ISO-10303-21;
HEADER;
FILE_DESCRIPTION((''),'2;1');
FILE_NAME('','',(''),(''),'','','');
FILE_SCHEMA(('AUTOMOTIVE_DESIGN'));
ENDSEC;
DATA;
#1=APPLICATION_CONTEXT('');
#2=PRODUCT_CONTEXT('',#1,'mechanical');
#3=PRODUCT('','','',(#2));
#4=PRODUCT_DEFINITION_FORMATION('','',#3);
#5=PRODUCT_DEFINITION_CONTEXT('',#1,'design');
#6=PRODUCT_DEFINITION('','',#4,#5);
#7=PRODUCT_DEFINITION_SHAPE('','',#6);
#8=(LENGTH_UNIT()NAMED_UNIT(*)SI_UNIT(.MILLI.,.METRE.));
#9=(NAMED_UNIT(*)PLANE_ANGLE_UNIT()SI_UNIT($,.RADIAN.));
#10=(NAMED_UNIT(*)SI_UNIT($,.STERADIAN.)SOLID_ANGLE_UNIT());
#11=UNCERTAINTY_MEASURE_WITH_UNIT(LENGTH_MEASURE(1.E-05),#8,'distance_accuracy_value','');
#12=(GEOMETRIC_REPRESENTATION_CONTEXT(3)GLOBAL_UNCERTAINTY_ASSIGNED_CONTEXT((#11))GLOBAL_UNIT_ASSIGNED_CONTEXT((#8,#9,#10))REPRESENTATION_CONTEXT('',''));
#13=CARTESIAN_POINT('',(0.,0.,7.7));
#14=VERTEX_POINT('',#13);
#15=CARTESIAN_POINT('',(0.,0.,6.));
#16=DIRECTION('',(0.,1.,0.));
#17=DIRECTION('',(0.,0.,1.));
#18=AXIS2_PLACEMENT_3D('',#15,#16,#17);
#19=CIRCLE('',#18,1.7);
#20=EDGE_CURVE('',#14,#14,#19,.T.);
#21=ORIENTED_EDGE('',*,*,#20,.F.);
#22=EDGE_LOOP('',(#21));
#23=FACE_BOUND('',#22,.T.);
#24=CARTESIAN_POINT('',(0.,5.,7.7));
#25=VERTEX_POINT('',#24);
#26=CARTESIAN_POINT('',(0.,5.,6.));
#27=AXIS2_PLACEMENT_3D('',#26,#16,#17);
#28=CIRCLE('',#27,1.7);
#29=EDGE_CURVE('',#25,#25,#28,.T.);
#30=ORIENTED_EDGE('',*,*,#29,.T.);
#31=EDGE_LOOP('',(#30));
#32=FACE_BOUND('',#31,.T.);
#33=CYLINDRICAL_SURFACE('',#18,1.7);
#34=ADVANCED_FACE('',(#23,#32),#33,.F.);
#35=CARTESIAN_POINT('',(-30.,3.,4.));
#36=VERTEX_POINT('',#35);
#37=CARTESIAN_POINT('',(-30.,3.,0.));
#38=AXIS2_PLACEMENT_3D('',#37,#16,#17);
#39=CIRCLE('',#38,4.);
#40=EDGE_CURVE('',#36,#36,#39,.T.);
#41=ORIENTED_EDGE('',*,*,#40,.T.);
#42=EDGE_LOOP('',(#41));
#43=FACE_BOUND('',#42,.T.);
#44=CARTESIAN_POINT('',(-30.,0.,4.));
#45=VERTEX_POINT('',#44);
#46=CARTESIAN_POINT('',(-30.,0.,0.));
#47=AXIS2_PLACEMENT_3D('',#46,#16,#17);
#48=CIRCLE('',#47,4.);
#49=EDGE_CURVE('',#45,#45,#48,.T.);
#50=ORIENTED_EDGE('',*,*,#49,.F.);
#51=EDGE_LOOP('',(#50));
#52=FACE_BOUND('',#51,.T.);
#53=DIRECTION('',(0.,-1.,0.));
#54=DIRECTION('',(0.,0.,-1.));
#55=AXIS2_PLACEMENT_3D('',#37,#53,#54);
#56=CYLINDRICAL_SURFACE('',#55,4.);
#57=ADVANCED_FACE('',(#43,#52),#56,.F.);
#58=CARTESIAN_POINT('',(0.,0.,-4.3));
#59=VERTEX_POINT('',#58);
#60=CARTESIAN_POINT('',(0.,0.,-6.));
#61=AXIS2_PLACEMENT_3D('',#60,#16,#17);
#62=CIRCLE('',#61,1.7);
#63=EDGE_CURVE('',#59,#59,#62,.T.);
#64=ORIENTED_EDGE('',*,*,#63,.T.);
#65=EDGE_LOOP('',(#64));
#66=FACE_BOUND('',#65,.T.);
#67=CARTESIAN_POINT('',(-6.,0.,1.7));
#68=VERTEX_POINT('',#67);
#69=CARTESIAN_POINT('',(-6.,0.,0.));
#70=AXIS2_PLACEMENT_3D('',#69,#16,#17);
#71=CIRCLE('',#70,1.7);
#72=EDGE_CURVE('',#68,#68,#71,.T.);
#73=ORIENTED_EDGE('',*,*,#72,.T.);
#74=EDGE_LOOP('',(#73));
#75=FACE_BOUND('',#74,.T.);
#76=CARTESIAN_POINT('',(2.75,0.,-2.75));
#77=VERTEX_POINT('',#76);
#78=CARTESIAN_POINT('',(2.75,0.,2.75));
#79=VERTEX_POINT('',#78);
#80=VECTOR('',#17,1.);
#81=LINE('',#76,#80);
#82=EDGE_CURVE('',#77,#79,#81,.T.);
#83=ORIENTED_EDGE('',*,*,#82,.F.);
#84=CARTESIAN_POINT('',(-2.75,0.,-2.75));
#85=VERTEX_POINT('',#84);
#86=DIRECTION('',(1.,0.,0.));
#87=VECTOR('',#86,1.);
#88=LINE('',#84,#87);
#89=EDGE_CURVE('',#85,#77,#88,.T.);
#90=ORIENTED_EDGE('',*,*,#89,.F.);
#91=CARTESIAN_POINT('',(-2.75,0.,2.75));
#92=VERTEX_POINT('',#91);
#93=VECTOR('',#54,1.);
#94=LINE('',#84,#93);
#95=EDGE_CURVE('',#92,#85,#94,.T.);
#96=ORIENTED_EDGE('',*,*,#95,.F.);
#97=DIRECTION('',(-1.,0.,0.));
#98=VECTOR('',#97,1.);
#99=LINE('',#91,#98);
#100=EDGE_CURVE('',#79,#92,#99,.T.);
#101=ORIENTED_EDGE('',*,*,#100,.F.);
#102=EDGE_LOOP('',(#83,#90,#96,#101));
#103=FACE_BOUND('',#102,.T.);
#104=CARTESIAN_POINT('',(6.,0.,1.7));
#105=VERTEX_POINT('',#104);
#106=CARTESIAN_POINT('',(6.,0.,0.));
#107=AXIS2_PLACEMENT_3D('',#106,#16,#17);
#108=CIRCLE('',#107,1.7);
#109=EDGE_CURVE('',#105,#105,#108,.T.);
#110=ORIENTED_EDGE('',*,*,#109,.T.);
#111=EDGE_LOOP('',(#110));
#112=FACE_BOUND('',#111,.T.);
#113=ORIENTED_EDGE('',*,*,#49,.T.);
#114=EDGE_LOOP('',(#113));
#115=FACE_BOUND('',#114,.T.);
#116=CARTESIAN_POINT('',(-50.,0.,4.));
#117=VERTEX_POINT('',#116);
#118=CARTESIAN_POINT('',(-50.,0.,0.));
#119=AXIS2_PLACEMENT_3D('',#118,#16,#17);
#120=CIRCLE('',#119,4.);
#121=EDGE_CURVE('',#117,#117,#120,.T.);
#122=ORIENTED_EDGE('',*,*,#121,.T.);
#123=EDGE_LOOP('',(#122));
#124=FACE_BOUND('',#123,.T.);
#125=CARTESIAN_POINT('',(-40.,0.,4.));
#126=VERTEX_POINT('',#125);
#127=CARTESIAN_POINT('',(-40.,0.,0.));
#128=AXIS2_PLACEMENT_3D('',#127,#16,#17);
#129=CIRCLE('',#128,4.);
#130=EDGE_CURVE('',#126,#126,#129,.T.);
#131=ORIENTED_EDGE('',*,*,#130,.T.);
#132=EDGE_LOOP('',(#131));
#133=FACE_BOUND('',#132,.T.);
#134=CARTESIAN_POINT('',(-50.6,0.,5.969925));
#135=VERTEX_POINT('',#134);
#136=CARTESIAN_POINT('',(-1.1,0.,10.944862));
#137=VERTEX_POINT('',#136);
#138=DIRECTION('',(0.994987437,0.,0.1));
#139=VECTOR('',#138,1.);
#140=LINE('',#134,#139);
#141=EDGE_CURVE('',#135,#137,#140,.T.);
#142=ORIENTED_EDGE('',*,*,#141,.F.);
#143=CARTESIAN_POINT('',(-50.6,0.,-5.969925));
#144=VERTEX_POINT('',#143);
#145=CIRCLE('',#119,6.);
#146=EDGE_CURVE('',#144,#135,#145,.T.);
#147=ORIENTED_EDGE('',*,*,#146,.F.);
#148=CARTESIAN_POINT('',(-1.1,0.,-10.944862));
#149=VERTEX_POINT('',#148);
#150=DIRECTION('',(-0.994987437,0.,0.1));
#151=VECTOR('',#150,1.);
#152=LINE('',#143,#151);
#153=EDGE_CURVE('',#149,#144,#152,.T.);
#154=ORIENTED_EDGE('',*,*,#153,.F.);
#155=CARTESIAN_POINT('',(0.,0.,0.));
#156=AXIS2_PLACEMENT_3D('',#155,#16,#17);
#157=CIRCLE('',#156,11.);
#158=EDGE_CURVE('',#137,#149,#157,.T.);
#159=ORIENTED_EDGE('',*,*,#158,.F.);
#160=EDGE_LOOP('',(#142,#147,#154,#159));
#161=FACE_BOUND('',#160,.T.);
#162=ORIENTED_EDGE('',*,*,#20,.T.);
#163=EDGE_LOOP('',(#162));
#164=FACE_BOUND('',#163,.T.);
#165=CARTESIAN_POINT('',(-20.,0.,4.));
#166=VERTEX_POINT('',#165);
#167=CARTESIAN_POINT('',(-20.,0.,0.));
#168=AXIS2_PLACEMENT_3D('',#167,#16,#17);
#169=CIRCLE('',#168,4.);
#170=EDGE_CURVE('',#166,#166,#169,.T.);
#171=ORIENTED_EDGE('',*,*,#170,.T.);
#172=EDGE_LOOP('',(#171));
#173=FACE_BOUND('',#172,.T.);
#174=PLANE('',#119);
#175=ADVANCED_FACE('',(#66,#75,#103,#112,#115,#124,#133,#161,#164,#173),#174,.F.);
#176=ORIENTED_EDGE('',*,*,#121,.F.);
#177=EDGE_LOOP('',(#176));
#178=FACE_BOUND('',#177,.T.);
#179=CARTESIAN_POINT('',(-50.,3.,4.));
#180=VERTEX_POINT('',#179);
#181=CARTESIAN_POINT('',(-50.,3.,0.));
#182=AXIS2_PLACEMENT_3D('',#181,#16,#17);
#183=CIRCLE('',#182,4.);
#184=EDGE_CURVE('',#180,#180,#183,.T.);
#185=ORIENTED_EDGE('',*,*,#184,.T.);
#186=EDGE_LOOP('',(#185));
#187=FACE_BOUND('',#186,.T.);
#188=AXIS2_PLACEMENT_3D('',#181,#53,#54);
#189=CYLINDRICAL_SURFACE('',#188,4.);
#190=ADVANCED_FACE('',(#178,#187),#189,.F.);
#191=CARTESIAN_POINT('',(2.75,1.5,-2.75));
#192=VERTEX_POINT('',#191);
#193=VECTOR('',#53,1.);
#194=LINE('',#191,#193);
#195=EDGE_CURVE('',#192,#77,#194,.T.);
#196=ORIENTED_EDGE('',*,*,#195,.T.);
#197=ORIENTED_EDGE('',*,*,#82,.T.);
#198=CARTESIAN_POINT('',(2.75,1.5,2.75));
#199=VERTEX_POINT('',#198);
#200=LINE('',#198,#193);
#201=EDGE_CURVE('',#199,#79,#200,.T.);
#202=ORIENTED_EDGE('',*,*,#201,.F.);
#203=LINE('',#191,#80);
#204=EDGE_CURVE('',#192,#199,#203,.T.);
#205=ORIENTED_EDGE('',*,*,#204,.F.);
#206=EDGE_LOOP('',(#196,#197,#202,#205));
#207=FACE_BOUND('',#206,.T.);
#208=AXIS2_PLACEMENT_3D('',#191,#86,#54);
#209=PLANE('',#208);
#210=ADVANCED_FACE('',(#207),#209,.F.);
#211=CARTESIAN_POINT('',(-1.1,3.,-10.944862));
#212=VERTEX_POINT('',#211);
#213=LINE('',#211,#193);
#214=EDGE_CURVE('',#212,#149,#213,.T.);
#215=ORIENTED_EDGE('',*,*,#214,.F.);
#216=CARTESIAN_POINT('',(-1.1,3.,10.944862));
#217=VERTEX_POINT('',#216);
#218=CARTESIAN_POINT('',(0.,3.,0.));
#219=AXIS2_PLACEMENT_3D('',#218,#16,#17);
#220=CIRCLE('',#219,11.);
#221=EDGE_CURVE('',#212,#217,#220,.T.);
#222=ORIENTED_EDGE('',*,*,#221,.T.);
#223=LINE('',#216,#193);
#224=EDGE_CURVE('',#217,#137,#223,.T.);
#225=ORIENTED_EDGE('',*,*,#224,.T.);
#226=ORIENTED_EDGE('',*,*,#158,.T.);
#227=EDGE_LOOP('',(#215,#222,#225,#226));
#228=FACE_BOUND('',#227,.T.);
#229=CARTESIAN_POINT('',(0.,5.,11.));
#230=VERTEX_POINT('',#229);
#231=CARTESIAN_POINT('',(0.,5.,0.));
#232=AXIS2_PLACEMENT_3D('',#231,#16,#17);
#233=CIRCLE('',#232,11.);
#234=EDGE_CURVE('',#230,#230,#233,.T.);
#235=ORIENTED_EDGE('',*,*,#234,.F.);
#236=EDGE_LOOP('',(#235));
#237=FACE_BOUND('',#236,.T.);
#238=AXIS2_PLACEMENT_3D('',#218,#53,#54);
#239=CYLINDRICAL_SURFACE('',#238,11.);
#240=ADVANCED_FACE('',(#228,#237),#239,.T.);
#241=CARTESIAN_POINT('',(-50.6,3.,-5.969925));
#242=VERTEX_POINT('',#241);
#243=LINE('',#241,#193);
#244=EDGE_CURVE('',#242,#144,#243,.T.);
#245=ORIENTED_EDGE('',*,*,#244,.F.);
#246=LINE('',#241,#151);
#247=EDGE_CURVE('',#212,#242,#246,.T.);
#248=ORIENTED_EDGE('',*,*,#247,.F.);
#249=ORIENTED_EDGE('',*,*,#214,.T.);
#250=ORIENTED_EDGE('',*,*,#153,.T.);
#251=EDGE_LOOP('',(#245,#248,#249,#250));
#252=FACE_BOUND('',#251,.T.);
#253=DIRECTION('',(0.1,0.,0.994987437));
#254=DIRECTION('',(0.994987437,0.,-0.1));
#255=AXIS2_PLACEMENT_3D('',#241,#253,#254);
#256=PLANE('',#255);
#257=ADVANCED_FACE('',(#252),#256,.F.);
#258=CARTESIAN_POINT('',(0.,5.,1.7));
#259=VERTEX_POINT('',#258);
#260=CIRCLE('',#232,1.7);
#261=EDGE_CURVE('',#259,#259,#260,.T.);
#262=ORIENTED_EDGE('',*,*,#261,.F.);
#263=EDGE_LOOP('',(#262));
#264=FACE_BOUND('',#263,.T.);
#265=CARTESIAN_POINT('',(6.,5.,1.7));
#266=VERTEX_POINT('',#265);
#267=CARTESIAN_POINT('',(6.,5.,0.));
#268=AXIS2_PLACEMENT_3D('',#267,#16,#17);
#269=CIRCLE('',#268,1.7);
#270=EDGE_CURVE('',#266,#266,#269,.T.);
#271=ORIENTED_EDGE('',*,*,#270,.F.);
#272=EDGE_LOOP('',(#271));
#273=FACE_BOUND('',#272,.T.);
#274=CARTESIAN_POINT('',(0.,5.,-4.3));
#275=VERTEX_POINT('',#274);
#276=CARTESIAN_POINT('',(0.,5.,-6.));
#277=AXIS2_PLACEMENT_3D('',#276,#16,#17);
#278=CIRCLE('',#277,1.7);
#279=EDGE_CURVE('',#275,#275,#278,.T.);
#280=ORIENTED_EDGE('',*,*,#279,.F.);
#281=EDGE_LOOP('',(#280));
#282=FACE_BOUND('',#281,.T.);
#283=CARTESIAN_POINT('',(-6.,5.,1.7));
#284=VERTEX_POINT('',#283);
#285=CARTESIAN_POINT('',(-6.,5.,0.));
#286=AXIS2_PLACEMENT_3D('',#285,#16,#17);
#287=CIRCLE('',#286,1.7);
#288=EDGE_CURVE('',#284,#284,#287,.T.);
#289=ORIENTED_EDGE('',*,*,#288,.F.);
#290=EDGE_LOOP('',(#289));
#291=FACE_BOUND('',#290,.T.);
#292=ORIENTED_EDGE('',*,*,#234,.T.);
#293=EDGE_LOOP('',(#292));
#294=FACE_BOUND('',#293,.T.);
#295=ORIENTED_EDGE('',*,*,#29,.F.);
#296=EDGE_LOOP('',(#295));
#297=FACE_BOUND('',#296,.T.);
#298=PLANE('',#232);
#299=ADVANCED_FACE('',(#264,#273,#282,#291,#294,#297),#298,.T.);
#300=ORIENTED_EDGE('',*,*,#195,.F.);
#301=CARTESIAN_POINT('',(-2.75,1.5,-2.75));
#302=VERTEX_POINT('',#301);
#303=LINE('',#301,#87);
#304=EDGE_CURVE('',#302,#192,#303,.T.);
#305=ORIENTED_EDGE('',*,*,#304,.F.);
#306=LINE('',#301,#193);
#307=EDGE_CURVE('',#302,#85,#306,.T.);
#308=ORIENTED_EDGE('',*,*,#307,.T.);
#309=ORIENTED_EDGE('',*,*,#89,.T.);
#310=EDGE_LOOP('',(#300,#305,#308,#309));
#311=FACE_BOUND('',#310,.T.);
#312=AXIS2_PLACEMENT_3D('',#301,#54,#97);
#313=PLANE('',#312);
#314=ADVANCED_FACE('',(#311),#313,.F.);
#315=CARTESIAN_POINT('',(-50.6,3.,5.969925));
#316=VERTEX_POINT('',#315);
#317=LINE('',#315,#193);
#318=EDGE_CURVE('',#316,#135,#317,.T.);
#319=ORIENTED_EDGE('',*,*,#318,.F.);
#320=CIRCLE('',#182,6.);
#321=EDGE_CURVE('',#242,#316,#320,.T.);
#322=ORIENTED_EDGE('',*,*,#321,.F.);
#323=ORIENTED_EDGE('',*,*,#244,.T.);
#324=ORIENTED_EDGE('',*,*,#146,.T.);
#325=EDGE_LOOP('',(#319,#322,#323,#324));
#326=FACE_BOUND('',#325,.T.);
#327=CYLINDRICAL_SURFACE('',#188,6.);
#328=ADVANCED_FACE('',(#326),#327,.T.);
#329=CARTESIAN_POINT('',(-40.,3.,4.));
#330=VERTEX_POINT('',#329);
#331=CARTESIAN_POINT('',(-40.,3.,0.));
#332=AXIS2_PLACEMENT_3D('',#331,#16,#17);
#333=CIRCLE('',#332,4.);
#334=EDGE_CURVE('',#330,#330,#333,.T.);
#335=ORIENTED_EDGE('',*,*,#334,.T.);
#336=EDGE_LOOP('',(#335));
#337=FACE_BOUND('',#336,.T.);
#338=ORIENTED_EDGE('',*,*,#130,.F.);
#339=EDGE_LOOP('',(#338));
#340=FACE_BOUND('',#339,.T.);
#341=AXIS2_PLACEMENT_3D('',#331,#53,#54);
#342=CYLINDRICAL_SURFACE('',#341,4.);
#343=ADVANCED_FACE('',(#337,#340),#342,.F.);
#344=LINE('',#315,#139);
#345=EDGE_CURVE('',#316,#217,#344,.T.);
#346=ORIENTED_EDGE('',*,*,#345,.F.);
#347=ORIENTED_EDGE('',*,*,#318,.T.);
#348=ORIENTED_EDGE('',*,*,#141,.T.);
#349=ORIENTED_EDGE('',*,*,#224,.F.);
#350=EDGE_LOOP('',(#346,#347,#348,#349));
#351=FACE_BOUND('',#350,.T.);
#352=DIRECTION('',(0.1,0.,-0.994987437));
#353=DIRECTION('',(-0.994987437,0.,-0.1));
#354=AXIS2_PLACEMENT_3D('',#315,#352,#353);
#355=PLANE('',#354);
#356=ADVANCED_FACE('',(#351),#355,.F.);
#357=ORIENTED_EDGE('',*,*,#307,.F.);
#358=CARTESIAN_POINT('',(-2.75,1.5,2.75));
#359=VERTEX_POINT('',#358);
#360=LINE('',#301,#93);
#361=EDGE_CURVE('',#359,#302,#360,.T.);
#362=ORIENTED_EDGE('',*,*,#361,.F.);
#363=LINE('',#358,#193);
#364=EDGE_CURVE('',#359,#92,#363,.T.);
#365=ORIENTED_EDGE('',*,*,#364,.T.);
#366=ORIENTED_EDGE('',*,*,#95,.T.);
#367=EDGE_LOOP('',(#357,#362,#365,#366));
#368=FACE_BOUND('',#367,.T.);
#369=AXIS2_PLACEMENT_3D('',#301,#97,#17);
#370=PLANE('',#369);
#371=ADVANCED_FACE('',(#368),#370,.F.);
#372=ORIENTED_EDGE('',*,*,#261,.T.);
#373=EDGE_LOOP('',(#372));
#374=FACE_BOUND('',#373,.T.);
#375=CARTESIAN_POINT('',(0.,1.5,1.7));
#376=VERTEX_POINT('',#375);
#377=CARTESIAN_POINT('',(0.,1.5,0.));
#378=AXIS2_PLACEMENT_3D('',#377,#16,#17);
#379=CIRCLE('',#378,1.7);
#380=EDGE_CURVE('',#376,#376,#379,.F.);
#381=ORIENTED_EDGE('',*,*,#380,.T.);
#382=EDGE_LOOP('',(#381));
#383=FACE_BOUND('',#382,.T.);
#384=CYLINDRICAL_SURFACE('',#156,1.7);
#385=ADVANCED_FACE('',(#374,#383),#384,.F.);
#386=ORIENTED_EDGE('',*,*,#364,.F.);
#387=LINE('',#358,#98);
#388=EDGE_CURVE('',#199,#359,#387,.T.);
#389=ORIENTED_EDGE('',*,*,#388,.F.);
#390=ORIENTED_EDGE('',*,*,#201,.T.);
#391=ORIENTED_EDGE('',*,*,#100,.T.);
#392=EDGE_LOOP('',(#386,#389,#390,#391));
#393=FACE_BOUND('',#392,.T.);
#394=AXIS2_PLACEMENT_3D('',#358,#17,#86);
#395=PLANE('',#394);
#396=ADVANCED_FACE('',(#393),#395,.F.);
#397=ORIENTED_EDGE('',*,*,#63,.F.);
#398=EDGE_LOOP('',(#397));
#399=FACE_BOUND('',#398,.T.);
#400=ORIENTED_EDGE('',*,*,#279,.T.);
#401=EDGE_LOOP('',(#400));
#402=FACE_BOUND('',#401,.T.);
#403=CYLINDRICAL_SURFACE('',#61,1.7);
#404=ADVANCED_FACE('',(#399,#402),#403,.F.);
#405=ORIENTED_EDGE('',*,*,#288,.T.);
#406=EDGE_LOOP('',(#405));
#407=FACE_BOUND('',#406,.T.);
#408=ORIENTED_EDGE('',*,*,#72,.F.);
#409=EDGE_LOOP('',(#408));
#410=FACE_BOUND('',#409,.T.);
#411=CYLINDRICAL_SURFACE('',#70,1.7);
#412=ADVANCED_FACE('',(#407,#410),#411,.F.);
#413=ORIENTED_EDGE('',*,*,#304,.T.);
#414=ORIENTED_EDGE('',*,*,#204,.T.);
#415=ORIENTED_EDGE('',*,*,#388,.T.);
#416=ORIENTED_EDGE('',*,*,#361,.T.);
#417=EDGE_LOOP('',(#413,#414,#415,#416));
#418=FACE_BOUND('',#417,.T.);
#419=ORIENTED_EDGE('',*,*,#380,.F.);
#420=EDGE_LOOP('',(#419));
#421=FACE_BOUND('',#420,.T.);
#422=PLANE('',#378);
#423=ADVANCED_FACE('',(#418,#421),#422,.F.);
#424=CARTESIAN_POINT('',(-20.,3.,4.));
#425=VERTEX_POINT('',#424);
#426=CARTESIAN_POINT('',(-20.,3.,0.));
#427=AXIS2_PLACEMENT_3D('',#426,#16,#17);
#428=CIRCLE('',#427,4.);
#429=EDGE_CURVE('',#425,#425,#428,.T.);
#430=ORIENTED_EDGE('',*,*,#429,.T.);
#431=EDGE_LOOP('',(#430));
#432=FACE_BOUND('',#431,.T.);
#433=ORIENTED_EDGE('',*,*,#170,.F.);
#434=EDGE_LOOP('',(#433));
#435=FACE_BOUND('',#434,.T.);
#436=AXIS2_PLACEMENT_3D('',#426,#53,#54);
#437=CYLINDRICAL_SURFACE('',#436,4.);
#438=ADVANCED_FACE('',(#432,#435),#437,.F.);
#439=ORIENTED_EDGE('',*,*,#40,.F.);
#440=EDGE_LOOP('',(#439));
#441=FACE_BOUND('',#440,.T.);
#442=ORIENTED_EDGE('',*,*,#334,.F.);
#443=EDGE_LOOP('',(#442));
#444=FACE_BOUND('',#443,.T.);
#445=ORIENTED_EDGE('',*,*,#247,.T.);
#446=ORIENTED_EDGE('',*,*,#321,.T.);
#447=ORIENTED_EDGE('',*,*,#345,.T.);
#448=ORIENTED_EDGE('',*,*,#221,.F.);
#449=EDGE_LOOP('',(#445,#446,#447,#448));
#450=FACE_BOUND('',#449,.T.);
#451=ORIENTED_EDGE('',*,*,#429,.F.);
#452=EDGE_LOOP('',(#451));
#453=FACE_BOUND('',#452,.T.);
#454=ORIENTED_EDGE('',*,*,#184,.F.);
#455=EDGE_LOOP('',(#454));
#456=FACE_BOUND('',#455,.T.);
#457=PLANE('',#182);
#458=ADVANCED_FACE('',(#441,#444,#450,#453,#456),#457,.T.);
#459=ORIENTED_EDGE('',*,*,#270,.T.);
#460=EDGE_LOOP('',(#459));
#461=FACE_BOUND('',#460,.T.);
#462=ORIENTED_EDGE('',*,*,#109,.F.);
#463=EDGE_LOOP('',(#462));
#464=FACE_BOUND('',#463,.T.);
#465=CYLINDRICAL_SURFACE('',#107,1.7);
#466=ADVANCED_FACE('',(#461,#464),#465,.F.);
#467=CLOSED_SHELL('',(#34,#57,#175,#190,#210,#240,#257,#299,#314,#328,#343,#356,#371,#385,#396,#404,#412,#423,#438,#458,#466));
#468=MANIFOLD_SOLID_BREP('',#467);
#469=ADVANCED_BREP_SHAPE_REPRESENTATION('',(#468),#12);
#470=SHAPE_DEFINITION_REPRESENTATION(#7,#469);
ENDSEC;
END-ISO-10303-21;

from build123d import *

# Parameters (mm, degrees)
ESQUISSE1_R             = 4
BOSS_EXTRU_1_DEPTH      = 3
ESQUISSE2_R             = 11
BOSS_EXTRU_2_DEPTH      = 2
ESQUISSE4_R             = 1.7
ENL_V_MAT_EXTRU_1_DEPTH = 6
ESQUISSE5_W             = 5.5
ESQUISSE5_H             = 5.5
ENL_V_MAT_EXTRU_2_DEPTH = 1.5


with BuildPart() as part:
    # Esquisse1 → Boss.-Extru.1 (new body)
    with BuildSketch(Plane(origin=(0, 0, 0), x_dir=(1, 0, 0), z_dir=(0, 1, 0))):
        with BuildLine():
            Line((-50.6, 5.969925), (-1.1, 10.944862))
            ThreePointArc((-1.1, 10.944862), (11, 0), (-1.1, -10.944862))
            Line((-1.1, -10.944862), (-50.6, -5.969925))
            ThreePointArc((-50.6, -5.969925), (-56, 0), (-50.6, 5.969925))
        make_face()
        with Locations((-50, 0)):
            Circle(ESQUISSE1_R, mode=Mode.SUBTRACT)
        with Locations((-40, 0)):
            Circle(ESQUISSE1_R, mode=Mode.SUBTRACT)
        with Locations((-30, 0)):
            Circle(ESQUISSE1_R, mode=Mode.SUBTRACT)
        with Locations((-20, 0)):
            Circle(ESQUISSE1_R, mode=Mode.SUBTRACT)
    extrude(amount=BOSS_EXTRU_1_DEPTH)

    # Esquisse2 → Boss.-Extru.2 (add)
    with BuildSketch(Plane(origin=(0, 3, 0), x_dir=(1, 0, 0), z_dir=(0, 1, 0))):
        Circle(ESQUISSE2_R)
    extrude(amount=BOSS_EXTRU_2_DEPTH)

    # Esquisse4 → Enlèv. mat.-Extru.1 (cut, through all)
    with BuildSketch(Plane(origin=(0, 5, 0), x_dir=(1, 0, 0), z_dir=(0, 1, 0))):
        Circle(ESQUISSE4_R)
        with Locations((0, 6)):
            Circle(ESQUISSE4_R)
        with Locations((6, 0)):
            Circle(ESQUISSE4_R)
        with Locations((0, -6)):
            Circle(ESQUISSE4_R)
        with Locations((-6, 0)):
            Circle(ESQUISSE4_R)
    extrude(amount=-ENL_V_MAT_EXTRU_1_DEPTH, mode=Mode.SUBTRACT)

    # Esquisse5 → Enlèv. mat.-Extru.2 (cut)
    with BuildSketch(Plane.XZ):
        Rectangle(ESQUISSE5_W, ESQUISSE5_H)
    extrude(amount=-ENL_V_MAT_EXTRU_2_DEPTH, mode=Mode.SUBTRACT)


solid = part.part
